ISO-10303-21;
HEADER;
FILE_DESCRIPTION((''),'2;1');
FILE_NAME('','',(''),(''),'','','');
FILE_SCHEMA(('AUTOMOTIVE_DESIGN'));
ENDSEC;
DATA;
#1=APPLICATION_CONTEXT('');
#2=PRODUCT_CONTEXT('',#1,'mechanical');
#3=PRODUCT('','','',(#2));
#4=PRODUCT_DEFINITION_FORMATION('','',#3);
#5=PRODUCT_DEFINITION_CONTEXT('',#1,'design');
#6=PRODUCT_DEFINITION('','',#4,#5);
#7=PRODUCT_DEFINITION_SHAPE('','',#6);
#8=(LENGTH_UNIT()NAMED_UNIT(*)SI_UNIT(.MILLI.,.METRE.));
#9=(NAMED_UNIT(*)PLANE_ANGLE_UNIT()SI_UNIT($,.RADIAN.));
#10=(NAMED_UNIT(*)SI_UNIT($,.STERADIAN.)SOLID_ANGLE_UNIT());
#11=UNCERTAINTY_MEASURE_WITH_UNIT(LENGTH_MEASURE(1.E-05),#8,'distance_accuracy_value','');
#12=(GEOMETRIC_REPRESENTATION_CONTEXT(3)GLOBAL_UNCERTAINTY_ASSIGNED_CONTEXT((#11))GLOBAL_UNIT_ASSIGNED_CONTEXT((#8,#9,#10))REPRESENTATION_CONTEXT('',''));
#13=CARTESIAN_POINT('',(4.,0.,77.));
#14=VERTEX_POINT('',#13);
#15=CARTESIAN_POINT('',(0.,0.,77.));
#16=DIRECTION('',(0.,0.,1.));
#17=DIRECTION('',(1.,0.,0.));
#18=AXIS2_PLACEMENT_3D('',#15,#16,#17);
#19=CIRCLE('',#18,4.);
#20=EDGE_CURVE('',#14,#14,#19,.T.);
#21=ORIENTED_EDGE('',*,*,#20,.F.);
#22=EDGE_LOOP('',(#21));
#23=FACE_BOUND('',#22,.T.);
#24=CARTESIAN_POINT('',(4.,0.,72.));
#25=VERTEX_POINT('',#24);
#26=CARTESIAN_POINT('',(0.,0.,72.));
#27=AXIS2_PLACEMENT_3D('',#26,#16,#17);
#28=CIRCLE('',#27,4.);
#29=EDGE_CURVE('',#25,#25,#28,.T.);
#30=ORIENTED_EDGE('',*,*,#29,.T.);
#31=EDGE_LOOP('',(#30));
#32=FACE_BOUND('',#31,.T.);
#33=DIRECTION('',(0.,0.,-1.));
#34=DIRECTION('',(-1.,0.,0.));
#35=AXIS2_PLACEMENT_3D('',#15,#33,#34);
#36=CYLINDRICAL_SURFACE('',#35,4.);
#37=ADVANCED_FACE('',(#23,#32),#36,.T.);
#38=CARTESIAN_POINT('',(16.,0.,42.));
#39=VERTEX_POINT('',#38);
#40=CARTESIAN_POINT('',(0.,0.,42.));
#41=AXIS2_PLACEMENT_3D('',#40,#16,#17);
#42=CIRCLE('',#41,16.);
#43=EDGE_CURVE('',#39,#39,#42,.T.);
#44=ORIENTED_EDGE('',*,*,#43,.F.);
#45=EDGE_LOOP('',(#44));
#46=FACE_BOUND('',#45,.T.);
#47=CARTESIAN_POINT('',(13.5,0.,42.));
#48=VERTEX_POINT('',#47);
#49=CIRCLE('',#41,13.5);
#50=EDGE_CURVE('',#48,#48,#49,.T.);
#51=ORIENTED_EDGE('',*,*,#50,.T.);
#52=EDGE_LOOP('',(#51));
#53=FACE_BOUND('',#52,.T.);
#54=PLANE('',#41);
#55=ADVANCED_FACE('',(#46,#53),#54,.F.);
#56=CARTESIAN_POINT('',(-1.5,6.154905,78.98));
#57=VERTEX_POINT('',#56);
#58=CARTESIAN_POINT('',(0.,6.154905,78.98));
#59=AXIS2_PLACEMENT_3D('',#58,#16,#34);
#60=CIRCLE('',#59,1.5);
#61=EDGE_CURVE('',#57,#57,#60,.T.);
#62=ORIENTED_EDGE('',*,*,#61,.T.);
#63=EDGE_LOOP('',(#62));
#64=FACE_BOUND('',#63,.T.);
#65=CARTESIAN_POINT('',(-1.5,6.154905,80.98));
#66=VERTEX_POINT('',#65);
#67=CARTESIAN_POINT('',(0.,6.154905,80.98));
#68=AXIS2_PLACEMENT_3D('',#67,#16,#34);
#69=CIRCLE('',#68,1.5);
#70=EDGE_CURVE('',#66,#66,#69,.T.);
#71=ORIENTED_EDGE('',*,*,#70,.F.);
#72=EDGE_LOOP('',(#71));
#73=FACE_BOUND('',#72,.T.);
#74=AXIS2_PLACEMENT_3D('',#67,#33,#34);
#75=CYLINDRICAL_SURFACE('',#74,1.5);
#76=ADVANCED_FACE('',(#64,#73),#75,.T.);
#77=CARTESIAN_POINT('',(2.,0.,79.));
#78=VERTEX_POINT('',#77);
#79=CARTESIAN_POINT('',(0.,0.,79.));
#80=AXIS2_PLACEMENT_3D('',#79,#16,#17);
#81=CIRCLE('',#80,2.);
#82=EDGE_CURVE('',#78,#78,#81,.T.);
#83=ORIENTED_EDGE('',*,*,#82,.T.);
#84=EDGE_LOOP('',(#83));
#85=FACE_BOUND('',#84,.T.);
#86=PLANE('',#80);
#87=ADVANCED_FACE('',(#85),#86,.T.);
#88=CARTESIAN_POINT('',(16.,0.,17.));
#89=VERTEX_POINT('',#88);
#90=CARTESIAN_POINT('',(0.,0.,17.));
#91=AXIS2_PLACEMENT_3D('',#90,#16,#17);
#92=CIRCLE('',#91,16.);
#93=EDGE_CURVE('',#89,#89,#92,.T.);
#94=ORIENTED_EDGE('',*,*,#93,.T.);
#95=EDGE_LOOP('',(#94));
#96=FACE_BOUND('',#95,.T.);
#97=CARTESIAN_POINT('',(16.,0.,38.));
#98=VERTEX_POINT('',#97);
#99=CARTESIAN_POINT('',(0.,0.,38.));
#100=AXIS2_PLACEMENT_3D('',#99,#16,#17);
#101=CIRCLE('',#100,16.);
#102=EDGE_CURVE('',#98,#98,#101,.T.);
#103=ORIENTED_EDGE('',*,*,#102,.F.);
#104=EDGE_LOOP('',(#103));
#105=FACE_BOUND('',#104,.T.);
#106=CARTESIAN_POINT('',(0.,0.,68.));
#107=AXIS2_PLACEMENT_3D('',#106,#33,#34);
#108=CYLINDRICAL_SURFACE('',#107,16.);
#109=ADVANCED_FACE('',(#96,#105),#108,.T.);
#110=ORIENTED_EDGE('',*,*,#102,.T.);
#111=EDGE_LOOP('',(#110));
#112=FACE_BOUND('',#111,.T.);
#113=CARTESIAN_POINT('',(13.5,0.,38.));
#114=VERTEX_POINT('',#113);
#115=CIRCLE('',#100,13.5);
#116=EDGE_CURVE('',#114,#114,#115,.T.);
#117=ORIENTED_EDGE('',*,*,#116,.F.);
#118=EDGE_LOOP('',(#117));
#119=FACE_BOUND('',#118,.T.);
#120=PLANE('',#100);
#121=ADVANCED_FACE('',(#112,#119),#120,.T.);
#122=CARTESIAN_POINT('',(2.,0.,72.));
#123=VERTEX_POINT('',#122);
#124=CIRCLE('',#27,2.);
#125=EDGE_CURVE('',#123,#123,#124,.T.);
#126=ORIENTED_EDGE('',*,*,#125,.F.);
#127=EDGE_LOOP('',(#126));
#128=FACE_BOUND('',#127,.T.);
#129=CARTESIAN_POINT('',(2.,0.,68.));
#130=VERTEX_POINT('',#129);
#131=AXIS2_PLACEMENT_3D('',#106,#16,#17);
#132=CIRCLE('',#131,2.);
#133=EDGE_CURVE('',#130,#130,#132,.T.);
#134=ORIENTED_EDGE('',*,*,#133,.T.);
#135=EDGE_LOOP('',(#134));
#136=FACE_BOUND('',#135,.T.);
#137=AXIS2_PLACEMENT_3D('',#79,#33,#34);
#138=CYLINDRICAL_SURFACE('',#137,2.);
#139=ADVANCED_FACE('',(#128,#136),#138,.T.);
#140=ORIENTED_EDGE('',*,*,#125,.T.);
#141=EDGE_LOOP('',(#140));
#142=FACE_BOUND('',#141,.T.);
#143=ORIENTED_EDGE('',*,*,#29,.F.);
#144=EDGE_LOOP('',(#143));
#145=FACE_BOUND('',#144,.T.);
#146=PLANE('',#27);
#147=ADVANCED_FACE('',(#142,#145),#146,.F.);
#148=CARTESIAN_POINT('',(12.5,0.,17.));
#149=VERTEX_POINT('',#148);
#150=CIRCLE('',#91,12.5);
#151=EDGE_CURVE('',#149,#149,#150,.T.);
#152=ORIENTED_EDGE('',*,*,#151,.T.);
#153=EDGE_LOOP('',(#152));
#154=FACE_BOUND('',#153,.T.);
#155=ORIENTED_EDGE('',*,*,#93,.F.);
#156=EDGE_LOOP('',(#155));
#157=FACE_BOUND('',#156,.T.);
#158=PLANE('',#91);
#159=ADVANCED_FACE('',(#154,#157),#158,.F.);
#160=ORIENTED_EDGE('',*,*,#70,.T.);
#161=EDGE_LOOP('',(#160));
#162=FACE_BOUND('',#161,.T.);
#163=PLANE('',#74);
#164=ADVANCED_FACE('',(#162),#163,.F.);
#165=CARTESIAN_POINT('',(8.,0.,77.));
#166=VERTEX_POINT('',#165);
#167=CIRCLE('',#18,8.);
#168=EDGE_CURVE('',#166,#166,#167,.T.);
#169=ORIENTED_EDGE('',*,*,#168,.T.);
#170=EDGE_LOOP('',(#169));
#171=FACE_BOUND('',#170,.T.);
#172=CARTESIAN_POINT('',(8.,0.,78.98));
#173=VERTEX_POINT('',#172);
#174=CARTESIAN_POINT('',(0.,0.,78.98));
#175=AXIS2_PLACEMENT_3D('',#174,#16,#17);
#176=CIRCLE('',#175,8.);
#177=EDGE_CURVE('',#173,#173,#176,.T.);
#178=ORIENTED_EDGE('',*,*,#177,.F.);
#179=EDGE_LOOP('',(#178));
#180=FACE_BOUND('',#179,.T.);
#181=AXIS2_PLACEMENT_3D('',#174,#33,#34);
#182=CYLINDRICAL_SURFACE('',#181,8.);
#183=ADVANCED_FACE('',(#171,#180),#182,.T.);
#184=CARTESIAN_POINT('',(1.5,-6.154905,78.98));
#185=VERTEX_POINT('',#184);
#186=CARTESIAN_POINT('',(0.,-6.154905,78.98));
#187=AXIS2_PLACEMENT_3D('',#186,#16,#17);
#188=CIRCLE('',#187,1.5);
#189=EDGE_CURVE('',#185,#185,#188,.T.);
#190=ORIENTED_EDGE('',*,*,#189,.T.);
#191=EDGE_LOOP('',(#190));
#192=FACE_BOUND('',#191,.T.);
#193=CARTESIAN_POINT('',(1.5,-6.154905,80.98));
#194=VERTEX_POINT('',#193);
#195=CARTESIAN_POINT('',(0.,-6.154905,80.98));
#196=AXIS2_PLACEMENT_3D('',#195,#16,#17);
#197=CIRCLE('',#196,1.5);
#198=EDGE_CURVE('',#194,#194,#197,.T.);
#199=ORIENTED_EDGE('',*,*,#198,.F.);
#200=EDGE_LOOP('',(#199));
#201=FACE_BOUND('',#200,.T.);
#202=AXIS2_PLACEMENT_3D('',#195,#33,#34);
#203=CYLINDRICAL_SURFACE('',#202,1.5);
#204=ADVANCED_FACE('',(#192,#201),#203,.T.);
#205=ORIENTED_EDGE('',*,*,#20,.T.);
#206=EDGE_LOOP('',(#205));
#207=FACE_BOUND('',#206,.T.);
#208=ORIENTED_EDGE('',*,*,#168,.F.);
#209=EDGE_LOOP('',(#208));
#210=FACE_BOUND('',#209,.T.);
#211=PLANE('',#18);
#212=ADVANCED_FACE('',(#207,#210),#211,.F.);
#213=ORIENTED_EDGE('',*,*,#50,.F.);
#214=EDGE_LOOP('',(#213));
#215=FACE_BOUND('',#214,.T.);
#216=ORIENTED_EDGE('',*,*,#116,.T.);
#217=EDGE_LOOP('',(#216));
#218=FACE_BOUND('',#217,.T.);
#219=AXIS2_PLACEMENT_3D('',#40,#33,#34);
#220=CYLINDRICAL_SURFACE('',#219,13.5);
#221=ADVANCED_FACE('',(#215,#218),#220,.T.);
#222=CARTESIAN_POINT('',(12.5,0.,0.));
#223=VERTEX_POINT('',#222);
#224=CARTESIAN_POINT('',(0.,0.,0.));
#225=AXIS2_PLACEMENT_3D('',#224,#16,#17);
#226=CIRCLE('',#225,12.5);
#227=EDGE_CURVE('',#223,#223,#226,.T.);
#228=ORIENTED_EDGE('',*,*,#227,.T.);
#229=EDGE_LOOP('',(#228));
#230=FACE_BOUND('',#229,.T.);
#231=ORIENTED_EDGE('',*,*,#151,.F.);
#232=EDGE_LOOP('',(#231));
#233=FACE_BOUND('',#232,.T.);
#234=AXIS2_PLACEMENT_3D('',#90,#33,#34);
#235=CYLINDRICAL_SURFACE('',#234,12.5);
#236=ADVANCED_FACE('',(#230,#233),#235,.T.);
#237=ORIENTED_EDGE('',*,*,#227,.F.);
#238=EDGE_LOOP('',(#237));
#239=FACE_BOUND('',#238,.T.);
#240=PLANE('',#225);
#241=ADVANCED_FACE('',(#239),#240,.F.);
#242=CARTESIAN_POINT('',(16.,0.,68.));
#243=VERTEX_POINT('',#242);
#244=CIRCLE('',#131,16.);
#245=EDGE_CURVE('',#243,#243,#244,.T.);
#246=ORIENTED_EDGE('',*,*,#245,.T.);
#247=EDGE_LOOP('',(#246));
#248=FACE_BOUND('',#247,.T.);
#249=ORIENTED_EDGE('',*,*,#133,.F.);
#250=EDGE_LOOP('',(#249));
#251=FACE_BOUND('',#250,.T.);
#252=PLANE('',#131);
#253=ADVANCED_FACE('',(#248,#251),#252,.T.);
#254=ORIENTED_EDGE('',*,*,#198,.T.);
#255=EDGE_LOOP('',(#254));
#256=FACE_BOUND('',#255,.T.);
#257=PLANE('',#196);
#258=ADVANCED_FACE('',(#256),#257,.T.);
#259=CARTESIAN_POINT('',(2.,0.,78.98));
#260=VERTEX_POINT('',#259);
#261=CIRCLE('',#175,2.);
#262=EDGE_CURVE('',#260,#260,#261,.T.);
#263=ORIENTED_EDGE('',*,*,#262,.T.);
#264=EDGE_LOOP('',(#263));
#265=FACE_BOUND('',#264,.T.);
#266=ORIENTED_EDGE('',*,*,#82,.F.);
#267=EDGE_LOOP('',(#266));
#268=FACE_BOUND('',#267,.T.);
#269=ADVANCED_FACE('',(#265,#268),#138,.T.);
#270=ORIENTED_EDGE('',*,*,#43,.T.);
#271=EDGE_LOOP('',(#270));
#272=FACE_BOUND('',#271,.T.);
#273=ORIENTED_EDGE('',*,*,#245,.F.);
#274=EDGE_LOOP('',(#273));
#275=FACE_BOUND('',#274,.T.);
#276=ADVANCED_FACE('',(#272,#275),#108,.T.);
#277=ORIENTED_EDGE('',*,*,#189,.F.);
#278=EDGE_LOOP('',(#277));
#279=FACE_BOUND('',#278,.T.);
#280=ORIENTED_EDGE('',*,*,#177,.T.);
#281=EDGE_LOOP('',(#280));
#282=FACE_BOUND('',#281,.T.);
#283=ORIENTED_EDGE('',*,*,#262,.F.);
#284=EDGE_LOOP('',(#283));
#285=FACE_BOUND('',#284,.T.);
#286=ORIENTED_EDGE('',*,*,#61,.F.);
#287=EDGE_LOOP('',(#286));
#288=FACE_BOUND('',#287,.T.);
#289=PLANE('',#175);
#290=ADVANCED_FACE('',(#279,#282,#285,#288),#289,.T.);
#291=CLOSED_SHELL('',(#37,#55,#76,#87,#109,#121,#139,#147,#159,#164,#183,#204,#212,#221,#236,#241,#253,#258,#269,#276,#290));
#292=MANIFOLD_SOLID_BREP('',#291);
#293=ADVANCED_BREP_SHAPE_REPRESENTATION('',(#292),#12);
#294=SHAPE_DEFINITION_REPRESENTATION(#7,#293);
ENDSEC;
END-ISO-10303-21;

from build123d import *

# Parameters (mm, degrees)
SKETCH_1_R          = 12.5
EXTRUDE_1_DEPTH     = 17
SKETCH_2_R          = 16
EXTRUDE_2_DEPTH     = 51
SKETCH_3_R          = 2
EXTRUDE_3_DEPTH     = 11
SKETCH_4_R          = 4
EXTRUDE_4_DEPTH     = 5
SKETCH_5_R          = 8
EXTRUDE_5_DEPTH     = 1.98
SKETCH_6_R          = 1.5
EXTRUDE_6_DEPTH     = 2
SKETCH_7_R          = 20.782497367
SKETCH_7_R_2        = 13.5
CUT_EXTRUDE_8_DEPTH = 4


with BuildPart() as part:
    # Эскиз1 → Вытянуть1 (new body)
    with BuildSketch(Plane.XY):
        Circle(SKETCH_1_R)
    extrude(amount=EXTRUDE_1_DEPTH)

    # Эскиз2 → Вытянуть2 (add)
    with BuildSketch(Plane.XY.offset(17)):
        Circle(SKETCH_2_R)
    extrude(amount=EXTRUDE_2_DEPTH)

    # Эскиз3 → Вытянуть3 (add)
    with BuildSketch(Plane.XY.offset(68)):
        Circle(SKETCH_3_R)
    extrude(amount=EXTRUDE_3_DEPTH)

    # Эскиз4 → Вытянуть4 (add)
    with BuildSketch(Plane.XY.offset(72)):
        Circle(SKETCH_4_R)
    extrude(amount=EXTRUDE_4_DEPTH)

    # Эскиз5 → Вытянуть5 (add)
    with BuildSketch(Plane.XY.offset(77)):
        Circle(SKETCH_5_R)
    extrude(amount=EXTRUDE_5_DEPTH)

    # Эскиз6 → Вытянуть6 (add)
    with BuildSketch(Plane.XY.offset(78.98)):
        with Locations((0, -6.154904873)):
            Circle(SKETCH_6_R)
        with Locations(Location((0, 6.154904873, 0), (0, 0, 180))):
            Circle(SKETCH_6_R)
    extrude(amount=EXTRUDE_6_DEPTH)

    # Эскиз7 → Вытянуть8 (cut)
    with BuildSketch(Plane.XY.offset(38)):
        Circle(SKETCH_7_R)
        Circle(SKETCH_7_R_2, mode=Mode.SUBTRACT)
    extrude(amount=CUT_EXTRUDE_8_DEPTH, mode=Mode.SUBTRACT)


solid = part.part
